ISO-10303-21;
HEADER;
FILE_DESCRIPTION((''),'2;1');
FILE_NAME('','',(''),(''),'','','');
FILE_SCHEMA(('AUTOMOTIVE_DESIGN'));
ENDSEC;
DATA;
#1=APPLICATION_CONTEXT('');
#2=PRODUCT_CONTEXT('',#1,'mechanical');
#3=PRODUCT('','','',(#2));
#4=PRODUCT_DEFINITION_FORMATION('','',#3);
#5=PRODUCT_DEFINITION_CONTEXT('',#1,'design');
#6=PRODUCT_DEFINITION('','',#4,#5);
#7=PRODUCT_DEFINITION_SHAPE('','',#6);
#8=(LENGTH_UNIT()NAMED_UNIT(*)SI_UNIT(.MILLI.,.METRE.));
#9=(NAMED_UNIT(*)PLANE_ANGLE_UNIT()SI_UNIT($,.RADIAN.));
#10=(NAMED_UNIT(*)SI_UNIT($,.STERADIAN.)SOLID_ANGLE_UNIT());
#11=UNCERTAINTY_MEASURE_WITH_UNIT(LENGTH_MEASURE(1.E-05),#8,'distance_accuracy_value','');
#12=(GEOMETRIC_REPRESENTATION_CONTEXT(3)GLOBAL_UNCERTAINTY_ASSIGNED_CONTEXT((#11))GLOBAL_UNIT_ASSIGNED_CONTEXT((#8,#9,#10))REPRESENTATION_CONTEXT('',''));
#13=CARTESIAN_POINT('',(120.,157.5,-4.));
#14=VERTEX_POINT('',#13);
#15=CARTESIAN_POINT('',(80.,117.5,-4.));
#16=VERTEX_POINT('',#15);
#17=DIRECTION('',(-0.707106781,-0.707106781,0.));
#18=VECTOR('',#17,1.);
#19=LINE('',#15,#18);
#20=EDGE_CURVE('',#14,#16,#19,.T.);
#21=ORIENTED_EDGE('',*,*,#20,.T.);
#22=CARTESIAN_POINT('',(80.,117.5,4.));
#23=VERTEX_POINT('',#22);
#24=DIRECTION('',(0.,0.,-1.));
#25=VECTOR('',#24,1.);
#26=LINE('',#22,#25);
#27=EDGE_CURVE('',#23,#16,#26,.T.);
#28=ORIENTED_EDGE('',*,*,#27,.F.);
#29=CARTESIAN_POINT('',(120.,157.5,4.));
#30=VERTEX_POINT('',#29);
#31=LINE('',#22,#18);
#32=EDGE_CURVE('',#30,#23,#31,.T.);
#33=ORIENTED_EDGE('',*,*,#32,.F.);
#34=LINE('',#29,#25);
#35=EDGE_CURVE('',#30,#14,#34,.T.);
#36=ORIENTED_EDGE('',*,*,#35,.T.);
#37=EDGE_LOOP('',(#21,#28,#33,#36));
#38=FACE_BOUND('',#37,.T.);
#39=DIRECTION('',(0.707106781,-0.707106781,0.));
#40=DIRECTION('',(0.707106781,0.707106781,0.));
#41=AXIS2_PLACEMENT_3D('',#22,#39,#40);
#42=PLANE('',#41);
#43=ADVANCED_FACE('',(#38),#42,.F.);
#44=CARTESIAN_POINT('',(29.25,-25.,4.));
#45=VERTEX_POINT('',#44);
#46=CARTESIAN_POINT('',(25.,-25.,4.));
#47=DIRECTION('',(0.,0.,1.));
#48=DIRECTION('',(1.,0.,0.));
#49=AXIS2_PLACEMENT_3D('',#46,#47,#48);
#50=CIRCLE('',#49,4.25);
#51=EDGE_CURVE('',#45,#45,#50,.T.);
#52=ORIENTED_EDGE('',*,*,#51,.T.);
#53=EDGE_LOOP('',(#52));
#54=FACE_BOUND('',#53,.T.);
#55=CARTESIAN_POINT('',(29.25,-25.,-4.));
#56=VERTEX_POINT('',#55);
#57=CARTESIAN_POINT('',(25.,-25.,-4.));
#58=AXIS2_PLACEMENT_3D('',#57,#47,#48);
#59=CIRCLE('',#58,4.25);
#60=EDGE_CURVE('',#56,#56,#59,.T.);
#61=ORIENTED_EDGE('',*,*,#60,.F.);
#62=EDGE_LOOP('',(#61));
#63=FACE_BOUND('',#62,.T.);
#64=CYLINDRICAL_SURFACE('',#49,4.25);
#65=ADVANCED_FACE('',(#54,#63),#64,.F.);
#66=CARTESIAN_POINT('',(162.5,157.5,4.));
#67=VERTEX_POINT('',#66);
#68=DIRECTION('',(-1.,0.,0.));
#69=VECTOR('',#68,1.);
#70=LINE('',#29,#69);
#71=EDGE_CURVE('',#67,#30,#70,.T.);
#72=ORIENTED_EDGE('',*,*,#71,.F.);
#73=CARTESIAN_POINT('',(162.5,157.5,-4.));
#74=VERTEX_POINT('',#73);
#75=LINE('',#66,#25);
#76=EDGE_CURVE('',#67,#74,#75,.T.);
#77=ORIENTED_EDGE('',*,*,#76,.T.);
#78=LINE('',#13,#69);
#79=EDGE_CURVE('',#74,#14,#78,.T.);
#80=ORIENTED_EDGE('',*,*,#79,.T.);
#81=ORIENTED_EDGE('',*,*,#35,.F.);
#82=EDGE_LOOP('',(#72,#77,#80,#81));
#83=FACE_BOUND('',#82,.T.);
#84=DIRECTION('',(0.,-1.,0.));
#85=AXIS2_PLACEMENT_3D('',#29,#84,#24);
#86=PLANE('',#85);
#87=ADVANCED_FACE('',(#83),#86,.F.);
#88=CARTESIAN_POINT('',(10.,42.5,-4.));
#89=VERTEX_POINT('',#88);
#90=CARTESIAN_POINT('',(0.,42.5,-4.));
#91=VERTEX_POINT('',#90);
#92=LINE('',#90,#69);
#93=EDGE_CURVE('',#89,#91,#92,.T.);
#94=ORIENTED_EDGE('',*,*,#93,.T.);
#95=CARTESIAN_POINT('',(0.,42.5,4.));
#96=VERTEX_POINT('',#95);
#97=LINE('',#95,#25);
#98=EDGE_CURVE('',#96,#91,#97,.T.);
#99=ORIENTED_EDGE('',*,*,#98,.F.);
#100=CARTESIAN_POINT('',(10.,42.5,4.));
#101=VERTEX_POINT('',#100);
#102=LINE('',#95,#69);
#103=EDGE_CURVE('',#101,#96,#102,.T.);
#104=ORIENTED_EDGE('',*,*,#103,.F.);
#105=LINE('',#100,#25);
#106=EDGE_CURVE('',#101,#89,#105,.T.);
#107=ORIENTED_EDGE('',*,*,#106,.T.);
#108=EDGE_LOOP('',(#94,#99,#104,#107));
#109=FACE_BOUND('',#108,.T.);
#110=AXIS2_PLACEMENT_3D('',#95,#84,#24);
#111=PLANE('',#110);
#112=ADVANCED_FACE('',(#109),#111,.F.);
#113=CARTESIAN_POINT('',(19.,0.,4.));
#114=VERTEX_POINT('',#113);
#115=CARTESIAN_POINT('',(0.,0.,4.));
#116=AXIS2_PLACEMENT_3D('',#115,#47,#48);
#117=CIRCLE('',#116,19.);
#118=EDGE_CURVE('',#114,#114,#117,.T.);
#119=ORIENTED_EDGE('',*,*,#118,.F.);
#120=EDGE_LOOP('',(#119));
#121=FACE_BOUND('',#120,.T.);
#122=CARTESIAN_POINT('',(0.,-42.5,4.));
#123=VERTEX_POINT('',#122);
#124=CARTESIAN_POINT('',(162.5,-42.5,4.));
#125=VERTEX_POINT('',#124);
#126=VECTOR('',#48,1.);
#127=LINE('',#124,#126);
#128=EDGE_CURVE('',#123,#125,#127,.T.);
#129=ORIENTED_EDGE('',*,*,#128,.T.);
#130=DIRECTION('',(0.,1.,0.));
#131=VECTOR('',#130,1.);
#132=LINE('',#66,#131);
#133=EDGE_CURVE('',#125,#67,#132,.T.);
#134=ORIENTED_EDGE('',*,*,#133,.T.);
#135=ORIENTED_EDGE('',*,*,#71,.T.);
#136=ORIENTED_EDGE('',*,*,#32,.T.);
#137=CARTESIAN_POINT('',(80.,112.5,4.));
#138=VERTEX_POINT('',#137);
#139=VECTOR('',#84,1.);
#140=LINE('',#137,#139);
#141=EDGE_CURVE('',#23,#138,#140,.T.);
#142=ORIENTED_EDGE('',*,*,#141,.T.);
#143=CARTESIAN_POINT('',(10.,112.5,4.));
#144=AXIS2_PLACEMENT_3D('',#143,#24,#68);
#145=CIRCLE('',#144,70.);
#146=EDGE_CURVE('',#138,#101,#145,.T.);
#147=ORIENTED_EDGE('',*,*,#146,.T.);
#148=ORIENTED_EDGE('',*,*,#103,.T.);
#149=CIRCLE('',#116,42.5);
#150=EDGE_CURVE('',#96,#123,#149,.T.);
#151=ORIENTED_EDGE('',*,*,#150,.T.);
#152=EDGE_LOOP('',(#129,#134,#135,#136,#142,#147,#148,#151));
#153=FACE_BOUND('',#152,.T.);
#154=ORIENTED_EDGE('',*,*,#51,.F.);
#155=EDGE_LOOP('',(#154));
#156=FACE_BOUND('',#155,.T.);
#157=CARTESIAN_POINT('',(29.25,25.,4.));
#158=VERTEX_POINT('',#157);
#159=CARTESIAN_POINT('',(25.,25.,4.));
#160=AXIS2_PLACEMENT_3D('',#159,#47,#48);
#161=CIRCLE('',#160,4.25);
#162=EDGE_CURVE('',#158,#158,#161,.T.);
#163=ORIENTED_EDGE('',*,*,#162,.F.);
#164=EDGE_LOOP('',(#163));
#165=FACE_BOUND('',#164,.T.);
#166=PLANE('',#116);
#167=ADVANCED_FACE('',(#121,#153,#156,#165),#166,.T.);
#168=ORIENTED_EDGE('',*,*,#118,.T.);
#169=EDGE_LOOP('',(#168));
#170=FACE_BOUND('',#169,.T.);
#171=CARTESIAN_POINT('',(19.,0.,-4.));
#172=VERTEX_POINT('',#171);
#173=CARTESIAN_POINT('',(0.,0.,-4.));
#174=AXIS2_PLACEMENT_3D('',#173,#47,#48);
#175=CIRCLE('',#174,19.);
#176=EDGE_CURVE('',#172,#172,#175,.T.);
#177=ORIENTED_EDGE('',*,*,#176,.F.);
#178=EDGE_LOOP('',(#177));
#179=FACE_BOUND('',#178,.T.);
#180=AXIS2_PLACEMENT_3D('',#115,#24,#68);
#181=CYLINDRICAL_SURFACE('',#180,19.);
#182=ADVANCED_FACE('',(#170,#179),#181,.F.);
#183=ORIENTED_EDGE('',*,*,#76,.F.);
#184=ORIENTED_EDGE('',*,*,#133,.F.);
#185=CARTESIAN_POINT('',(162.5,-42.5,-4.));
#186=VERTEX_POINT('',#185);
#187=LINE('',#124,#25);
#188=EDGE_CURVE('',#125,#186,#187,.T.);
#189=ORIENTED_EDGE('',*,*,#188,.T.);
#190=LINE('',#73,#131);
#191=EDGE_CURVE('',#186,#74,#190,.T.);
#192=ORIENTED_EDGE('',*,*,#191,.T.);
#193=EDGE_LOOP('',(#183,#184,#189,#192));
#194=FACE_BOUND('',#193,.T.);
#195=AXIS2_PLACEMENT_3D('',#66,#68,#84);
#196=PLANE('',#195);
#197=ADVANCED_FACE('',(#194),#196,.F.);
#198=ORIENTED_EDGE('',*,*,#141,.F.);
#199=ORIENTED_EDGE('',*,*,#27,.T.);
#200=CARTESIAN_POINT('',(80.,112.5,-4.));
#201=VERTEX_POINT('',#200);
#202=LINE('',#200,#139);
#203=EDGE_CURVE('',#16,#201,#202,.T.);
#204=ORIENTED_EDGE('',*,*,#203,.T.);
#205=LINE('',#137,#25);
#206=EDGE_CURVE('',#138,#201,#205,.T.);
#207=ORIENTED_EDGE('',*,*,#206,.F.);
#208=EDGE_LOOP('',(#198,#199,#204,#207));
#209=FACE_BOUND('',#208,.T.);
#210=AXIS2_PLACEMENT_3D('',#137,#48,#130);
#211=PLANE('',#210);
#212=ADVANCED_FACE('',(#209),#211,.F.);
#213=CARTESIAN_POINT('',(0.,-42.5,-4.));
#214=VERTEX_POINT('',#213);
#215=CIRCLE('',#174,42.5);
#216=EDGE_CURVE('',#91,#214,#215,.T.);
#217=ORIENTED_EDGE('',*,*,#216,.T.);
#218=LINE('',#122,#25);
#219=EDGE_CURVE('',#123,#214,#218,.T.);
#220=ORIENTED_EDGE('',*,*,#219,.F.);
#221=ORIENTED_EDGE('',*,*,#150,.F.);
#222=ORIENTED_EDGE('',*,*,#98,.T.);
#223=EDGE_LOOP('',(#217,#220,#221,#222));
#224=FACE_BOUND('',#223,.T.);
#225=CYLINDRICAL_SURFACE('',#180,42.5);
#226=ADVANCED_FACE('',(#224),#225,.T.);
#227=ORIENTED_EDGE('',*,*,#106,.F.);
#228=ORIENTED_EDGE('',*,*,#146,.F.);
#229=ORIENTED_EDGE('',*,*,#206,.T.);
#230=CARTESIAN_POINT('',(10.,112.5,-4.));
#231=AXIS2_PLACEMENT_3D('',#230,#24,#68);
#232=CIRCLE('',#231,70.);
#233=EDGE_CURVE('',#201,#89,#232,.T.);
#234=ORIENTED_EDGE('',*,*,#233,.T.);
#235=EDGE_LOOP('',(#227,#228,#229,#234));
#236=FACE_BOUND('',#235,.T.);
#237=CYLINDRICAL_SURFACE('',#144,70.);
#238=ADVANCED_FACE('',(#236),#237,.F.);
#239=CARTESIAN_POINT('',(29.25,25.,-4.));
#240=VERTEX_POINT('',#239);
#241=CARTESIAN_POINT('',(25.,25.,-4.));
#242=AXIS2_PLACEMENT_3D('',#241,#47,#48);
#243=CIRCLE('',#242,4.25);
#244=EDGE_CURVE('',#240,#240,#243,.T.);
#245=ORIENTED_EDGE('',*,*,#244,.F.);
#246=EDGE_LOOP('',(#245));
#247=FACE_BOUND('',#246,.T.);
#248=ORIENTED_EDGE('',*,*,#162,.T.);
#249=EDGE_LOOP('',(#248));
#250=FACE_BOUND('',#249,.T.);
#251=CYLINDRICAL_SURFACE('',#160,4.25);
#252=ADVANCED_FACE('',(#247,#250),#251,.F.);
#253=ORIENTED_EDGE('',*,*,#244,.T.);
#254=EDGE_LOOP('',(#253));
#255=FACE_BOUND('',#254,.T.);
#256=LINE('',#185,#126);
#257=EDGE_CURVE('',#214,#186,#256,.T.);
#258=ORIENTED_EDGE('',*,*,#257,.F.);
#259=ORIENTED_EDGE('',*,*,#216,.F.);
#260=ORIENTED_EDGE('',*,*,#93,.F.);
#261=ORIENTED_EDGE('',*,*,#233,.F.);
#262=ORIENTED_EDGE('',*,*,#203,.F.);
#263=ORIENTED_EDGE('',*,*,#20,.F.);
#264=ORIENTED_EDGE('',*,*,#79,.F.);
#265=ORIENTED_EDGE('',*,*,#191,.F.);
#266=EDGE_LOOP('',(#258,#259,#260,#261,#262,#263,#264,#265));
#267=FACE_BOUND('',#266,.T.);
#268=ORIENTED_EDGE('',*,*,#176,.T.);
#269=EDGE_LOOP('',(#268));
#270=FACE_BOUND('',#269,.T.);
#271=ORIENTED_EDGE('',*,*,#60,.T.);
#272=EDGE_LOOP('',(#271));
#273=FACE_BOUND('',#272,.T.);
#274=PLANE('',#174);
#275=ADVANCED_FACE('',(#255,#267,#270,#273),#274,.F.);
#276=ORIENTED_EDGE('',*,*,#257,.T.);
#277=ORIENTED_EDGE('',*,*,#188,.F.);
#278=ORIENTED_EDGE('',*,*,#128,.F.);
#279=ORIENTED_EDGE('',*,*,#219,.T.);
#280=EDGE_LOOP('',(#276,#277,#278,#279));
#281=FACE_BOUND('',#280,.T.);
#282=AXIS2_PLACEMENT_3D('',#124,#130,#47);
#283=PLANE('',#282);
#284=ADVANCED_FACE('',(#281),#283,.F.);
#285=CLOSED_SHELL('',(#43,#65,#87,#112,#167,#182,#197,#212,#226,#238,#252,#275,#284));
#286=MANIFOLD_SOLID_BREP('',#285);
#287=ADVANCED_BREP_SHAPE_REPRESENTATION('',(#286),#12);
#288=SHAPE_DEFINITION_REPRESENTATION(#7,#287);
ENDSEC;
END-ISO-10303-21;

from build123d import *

# Parameters (mm, degrees)
SKIZZE1_R                       = 19
AUFSATZ_LINEAR_AUSTRAGEN1_DEPTH = 4
M10_GEWINDEBOHRUNG1_D           = 8.5


with BuildPart() as part:
    # Skizze1 → Aufsatz-Linear austragen1 (new, symmetric)
    with BuildSketch(Plane.XY):
        with BuildLine():
            Line((0, 42.5), (10, 42.5))
            ThreePointArc((10, 42.5), (59.497474683, 63.002525317), (80, 112.5))
            Line((80, 112.5), (80, 117.5))
            Line((80, 117.5), (120, 157.5))
            Line((120, 157.5), (162.5, 157.5))
            Line((162.5, 157.5), (162.5, -42.5))
            Line((162.5, -42.5), (0, -42.5))
            ThreePointArc((0, -42.5), (-42.5, 0), (0, 42.5))
        make_face()
        Circle(SKIZZE1_R, mode=Mode.SUBTRACT)
    extrude(amount=AUFSATZ_LINEAR_AUSTRAGEN1_DEPTH, both=True)

    # M10 Gewindebohrung1 (through all)
    with Locations(Plane.XY.offset(4)):
        with Locations((25, -25), (25, 25)):
            Hole(M10_GEWINDEBOHRUNG1_D / 2)


solid = part.part
